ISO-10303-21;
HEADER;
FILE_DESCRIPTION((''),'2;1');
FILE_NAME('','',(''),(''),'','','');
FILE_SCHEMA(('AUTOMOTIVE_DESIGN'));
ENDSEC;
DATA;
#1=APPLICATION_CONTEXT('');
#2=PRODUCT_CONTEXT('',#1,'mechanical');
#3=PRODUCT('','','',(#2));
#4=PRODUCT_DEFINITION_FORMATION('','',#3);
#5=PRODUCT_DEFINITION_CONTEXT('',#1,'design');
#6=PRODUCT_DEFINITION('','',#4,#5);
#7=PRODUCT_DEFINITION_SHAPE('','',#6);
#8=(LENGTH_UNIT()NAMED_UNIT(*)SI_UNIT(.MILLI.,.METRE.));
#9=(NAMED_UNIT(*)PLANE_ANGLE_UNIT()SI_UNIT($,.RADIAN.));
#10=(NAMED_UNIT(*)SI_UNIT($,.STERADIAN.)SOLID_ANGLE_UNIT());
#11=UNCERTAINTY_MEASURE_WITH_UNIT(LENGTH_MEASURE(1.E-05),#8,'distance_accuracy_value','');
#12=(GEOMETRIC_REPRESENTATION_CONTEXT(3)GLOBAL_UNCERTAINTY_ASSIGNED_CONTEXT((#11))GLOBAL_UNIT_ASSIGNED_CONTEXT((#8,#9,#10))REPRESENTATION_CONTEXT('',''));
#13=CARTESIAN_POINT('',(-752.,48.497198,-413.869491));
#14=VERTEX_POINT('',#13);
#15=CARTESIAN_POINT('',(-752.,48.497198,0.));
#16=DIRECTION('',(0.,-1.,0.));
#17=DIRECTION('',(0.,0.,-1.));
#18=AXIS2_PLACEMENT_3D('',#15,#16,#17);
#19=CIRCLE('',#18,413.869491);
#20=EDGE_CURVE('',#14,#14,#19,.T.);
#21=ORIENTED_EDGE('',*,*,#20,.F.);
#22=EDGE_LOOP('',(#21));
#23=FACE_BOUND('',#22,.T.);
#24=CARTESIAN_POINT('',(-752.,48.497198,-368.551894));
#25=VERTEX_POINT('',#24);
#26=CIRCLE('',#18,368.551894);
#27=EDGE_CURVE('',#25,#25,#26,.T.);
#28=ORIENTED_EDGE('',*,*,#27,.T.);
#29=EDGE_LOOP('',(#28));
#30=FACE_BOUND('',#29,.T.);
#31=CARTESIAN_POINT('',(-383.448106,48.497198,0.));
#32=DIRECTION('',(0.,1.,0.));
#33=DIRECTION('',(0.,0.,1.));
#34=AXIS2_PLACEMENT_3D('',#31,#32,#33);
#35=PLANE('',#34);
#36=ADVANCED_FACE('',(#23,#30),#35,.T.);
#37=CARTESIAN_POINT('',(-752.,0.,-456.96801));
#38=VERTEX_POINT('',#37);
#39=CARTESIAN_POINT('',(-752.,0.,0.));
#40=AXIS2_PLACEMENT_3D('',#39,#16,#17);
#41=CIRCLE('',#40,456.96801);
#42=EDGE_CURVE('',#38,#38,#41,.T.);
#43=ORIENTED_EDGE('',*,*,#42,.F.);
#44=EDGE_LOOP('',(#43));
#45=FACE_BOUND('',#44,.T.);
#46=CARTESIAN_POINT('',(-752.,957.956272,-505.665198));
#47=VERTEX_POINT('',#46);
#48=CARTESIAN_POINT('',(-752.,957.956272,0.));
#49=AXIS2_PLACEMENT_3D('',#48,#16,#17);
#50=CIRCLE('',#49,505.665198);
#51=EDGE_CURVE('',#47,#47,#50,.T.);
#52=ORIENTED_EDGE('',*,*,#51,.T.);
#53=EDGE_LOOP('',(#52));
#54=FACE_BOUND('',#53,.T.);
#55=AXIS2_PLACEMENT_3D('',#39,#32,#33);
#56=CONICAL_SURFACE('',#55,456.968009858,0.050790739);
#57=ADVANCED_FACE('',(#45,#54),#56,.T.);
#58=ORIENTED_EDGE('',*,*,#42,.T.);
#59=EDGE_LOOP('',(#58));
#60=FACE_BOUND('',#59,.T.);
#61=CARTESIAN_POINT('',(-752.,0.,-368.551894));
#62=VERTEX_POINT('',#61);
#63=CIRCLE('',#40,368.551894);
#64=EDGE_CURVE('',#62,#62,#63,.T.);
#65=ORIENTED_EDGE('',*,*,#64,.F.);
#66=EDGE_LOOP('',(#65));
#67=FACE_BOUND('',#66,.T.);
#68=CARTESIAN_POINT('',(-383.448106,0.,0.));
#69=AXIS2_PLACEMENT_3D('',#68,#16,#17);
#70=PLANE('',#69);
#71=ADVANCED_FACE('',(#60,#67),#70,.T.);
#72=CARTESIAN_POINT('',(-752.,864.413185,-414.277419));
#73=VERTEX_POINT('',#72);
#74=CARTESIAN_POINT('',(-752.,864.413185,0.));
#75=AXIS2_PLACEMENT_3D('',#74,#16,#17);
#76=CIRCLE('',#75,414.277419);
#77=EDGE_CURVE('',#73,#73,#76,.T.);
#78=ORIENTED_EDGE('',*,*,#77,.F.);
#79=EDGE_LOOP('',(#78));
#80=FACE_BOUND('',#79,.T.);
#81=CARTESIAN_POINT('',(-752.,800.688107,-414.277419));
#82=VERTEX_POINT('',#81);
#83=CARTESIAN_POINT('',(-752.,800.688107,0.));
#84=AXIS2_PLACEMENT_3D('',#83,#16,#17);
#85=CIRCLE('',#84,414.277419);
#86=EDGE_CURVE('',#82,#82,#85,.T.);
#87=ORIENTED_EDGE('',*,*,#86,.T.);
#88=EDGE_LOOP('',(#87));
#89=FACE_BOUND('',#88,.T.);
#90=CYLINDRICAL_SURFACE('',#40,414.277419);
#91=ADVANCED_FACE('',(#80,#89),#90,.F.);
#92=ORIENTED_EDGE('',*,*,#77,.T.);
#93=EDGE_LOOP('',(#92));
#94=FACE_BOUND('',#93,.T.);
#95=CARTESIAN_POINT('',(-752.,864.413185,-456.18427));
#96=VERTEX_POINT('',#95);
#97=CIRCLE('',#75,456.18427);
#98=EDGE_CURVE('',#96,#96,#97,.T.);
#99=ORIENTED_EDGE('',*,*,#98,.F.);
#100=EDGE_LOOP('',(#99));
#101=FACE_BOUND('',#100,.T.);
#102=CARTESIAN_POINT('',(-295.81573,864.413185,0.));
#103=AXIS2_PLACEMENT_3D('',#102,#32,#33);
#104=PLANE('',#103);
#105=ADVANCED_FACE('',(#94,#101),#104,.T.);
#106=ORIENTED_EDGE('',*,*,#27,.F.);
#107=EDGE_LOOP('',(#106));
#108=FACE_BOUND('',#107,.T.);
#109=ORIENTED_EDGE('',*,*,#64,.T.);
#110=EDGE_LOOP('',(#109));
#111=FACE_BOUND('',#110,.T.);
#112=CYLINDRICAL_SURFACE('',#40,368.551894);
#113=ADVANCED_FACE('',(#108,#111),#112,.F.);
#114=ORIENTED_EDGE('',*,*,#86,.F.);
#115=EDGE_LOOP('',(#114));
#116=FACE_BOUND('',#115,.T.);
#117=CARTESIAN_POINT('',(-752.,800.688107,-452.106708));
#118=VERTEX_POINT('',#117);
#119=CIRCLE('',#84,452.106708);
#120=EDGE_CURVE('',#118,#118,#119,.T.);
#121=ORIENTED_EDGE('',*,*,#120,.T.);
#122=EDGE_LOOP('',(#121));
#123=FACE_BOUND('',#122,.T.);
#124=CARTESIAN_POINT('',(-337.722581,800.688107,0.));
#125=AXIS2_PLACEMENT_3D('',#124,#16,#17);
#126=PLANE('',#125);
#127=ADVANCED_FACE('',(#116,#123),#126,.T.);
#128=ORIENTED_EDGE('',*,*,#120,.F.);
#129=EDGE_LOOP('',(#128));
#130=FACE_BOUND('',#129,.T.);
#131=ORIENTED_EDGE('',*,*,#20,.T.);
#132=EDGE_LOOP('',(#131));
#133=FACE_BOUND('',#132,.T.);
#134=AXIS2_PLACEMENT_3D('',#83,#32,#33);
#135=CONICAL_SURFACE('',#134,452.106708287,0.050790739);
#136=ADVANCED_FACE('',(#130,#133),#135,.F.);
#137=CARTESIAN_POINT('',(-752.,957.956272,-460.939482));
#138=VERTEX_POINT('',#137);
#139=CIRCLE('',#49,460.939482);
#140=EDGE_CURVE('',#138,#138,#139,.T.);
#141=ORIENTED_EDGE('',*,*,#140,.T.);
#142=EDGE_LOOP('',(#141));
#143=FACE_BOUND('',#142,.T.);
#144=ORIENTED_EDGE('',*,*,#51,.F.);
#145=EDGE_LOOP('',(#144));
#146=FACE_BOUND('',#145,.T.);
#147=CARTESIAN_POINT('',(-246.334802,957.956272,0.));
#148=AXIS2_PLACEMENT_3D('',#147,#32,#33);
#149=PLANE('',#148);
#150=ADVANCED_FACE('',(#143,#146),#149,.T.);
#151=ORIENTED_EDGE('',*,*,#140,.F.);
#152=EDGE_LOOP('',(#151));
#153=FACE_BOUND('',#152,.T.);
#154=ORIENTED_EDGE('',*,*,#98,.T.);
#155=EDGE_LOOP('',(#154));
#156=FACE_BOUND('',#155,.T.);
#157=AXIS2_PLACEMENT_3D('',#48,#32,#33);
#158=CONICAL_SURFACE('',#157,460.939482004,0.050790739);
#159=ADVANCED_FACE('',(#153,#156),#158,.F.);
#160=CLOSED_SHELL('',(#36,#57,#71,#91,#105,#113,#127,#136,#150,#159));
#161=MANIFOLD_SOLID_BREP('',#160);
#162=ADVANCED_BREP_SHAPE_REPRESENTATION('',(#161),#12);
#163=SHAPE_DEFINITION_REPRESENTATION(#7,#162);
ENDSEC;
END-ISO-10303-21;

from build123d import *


with BuildPart() as part:
    # 草图1 → 旋转1 (revolve)
    with BuildSketch(Plane.XY):
        Polygon((-383.448105995, 0), (-295.031990142, 0), (-246.334801678, 957.956271748), (-291.060517996, 957.956271748), (-295.815730173, 864.413184913), (-337.722580965, 864.413184913), (-337.722580965, 800.688106683), (-299.893291713, 800.688106683), (-338.130509359, 48.497197642), (-383.448105995, 48.497197642), align=None)
    revolve(axis=Axis((-752, 0, 0), (0, 1, 0)))


solid = part.part
